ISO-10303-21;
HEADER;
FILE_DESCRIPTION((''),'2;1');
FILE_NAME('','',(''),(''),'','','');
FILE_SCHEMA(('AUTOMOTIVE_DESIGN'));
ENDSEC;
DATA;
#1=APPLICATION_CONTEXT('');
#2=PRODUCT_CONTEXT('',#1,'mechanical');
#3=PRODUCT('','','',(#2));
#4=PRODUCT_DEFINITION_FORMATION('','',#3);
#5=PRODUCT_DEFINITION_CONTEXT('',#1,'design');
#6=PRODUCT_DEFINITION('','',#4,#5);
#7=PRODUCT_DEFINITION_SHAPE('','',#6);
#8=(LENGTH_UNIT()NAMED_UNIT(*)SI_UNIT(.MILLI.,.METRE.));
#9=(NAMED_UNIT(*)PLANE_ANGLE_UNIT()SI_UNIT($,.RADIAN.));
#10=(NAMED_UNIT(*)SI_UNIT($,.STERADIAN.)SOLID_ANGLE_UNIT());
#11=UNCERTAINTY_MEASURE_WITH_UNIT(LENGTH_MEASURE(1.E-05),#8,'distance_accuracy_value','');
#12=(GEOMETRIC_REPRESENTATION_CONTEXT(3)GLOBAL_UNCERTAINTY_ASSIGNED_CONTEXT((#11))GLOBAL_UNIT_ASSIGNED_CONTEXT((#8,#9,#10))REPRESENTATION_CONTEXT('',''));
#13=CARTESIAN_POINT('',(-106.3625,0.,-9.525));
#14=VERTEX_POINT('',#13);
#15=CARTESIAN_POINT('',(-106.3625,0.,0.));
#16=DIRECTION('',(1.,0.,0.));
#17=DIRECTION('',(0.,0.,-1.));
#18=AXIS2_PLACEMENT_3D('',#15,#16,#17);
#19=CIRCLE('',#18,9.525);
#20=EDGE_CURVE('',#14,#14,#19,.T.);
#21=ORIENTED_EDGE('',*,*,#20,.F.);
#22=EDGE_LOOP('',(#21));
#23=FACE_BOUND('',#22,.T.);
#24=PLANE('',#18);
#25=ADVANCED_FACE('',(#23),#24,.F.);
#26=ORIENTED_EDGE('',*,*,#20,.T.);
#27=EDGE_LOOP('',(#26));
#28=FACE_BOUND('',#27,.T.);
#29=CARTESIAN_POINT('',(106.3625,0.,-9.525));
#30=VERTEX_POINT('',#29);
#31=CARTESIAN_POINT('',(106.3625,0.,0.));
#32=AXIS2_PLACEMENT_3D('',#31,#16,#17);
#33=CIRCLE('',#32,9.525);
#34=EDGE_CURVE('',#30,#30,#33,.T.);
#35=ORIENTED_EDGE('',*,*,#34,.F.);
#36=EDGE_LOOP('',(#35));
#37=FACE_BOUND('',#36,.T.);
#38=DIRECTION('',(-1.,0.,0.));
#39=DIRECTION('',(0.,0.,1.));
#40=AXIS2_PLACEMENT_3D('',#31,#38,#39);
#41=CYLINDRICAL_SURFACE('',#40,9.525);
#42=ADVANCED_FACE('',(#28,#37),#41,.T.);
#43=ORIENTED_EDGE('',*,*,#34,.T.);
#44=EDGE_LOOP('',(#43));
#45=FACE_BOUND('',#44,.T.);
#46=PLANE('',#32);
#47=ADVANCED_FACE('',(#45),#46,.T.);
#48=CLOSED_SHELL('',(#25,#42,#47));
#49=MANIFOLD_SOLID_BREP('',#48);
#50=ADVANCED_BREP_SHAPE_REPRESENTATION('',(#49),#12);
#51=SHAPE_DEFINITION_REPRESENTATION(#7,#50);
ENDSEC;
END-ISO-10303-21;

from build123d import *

# Parameters (mm, degrees)
SKETCH1_R           = 9.525
BOSS_EXTRUDE1_DEPTH = 106.3625


with BuildPart() as part:
    # Sketch1 → Boss-Extrude1 (new body, symmetric)
    with BuildSketch(Plane(origin=(0, 0, 0), x_dir=(0, 0, -1), z_dir=(1, 0, 0))):
        Circle(SKETCH1_R)
    extrude(amount=BOSS_EXTRUDE1_DEPTH, both=True)


solid = part.part
